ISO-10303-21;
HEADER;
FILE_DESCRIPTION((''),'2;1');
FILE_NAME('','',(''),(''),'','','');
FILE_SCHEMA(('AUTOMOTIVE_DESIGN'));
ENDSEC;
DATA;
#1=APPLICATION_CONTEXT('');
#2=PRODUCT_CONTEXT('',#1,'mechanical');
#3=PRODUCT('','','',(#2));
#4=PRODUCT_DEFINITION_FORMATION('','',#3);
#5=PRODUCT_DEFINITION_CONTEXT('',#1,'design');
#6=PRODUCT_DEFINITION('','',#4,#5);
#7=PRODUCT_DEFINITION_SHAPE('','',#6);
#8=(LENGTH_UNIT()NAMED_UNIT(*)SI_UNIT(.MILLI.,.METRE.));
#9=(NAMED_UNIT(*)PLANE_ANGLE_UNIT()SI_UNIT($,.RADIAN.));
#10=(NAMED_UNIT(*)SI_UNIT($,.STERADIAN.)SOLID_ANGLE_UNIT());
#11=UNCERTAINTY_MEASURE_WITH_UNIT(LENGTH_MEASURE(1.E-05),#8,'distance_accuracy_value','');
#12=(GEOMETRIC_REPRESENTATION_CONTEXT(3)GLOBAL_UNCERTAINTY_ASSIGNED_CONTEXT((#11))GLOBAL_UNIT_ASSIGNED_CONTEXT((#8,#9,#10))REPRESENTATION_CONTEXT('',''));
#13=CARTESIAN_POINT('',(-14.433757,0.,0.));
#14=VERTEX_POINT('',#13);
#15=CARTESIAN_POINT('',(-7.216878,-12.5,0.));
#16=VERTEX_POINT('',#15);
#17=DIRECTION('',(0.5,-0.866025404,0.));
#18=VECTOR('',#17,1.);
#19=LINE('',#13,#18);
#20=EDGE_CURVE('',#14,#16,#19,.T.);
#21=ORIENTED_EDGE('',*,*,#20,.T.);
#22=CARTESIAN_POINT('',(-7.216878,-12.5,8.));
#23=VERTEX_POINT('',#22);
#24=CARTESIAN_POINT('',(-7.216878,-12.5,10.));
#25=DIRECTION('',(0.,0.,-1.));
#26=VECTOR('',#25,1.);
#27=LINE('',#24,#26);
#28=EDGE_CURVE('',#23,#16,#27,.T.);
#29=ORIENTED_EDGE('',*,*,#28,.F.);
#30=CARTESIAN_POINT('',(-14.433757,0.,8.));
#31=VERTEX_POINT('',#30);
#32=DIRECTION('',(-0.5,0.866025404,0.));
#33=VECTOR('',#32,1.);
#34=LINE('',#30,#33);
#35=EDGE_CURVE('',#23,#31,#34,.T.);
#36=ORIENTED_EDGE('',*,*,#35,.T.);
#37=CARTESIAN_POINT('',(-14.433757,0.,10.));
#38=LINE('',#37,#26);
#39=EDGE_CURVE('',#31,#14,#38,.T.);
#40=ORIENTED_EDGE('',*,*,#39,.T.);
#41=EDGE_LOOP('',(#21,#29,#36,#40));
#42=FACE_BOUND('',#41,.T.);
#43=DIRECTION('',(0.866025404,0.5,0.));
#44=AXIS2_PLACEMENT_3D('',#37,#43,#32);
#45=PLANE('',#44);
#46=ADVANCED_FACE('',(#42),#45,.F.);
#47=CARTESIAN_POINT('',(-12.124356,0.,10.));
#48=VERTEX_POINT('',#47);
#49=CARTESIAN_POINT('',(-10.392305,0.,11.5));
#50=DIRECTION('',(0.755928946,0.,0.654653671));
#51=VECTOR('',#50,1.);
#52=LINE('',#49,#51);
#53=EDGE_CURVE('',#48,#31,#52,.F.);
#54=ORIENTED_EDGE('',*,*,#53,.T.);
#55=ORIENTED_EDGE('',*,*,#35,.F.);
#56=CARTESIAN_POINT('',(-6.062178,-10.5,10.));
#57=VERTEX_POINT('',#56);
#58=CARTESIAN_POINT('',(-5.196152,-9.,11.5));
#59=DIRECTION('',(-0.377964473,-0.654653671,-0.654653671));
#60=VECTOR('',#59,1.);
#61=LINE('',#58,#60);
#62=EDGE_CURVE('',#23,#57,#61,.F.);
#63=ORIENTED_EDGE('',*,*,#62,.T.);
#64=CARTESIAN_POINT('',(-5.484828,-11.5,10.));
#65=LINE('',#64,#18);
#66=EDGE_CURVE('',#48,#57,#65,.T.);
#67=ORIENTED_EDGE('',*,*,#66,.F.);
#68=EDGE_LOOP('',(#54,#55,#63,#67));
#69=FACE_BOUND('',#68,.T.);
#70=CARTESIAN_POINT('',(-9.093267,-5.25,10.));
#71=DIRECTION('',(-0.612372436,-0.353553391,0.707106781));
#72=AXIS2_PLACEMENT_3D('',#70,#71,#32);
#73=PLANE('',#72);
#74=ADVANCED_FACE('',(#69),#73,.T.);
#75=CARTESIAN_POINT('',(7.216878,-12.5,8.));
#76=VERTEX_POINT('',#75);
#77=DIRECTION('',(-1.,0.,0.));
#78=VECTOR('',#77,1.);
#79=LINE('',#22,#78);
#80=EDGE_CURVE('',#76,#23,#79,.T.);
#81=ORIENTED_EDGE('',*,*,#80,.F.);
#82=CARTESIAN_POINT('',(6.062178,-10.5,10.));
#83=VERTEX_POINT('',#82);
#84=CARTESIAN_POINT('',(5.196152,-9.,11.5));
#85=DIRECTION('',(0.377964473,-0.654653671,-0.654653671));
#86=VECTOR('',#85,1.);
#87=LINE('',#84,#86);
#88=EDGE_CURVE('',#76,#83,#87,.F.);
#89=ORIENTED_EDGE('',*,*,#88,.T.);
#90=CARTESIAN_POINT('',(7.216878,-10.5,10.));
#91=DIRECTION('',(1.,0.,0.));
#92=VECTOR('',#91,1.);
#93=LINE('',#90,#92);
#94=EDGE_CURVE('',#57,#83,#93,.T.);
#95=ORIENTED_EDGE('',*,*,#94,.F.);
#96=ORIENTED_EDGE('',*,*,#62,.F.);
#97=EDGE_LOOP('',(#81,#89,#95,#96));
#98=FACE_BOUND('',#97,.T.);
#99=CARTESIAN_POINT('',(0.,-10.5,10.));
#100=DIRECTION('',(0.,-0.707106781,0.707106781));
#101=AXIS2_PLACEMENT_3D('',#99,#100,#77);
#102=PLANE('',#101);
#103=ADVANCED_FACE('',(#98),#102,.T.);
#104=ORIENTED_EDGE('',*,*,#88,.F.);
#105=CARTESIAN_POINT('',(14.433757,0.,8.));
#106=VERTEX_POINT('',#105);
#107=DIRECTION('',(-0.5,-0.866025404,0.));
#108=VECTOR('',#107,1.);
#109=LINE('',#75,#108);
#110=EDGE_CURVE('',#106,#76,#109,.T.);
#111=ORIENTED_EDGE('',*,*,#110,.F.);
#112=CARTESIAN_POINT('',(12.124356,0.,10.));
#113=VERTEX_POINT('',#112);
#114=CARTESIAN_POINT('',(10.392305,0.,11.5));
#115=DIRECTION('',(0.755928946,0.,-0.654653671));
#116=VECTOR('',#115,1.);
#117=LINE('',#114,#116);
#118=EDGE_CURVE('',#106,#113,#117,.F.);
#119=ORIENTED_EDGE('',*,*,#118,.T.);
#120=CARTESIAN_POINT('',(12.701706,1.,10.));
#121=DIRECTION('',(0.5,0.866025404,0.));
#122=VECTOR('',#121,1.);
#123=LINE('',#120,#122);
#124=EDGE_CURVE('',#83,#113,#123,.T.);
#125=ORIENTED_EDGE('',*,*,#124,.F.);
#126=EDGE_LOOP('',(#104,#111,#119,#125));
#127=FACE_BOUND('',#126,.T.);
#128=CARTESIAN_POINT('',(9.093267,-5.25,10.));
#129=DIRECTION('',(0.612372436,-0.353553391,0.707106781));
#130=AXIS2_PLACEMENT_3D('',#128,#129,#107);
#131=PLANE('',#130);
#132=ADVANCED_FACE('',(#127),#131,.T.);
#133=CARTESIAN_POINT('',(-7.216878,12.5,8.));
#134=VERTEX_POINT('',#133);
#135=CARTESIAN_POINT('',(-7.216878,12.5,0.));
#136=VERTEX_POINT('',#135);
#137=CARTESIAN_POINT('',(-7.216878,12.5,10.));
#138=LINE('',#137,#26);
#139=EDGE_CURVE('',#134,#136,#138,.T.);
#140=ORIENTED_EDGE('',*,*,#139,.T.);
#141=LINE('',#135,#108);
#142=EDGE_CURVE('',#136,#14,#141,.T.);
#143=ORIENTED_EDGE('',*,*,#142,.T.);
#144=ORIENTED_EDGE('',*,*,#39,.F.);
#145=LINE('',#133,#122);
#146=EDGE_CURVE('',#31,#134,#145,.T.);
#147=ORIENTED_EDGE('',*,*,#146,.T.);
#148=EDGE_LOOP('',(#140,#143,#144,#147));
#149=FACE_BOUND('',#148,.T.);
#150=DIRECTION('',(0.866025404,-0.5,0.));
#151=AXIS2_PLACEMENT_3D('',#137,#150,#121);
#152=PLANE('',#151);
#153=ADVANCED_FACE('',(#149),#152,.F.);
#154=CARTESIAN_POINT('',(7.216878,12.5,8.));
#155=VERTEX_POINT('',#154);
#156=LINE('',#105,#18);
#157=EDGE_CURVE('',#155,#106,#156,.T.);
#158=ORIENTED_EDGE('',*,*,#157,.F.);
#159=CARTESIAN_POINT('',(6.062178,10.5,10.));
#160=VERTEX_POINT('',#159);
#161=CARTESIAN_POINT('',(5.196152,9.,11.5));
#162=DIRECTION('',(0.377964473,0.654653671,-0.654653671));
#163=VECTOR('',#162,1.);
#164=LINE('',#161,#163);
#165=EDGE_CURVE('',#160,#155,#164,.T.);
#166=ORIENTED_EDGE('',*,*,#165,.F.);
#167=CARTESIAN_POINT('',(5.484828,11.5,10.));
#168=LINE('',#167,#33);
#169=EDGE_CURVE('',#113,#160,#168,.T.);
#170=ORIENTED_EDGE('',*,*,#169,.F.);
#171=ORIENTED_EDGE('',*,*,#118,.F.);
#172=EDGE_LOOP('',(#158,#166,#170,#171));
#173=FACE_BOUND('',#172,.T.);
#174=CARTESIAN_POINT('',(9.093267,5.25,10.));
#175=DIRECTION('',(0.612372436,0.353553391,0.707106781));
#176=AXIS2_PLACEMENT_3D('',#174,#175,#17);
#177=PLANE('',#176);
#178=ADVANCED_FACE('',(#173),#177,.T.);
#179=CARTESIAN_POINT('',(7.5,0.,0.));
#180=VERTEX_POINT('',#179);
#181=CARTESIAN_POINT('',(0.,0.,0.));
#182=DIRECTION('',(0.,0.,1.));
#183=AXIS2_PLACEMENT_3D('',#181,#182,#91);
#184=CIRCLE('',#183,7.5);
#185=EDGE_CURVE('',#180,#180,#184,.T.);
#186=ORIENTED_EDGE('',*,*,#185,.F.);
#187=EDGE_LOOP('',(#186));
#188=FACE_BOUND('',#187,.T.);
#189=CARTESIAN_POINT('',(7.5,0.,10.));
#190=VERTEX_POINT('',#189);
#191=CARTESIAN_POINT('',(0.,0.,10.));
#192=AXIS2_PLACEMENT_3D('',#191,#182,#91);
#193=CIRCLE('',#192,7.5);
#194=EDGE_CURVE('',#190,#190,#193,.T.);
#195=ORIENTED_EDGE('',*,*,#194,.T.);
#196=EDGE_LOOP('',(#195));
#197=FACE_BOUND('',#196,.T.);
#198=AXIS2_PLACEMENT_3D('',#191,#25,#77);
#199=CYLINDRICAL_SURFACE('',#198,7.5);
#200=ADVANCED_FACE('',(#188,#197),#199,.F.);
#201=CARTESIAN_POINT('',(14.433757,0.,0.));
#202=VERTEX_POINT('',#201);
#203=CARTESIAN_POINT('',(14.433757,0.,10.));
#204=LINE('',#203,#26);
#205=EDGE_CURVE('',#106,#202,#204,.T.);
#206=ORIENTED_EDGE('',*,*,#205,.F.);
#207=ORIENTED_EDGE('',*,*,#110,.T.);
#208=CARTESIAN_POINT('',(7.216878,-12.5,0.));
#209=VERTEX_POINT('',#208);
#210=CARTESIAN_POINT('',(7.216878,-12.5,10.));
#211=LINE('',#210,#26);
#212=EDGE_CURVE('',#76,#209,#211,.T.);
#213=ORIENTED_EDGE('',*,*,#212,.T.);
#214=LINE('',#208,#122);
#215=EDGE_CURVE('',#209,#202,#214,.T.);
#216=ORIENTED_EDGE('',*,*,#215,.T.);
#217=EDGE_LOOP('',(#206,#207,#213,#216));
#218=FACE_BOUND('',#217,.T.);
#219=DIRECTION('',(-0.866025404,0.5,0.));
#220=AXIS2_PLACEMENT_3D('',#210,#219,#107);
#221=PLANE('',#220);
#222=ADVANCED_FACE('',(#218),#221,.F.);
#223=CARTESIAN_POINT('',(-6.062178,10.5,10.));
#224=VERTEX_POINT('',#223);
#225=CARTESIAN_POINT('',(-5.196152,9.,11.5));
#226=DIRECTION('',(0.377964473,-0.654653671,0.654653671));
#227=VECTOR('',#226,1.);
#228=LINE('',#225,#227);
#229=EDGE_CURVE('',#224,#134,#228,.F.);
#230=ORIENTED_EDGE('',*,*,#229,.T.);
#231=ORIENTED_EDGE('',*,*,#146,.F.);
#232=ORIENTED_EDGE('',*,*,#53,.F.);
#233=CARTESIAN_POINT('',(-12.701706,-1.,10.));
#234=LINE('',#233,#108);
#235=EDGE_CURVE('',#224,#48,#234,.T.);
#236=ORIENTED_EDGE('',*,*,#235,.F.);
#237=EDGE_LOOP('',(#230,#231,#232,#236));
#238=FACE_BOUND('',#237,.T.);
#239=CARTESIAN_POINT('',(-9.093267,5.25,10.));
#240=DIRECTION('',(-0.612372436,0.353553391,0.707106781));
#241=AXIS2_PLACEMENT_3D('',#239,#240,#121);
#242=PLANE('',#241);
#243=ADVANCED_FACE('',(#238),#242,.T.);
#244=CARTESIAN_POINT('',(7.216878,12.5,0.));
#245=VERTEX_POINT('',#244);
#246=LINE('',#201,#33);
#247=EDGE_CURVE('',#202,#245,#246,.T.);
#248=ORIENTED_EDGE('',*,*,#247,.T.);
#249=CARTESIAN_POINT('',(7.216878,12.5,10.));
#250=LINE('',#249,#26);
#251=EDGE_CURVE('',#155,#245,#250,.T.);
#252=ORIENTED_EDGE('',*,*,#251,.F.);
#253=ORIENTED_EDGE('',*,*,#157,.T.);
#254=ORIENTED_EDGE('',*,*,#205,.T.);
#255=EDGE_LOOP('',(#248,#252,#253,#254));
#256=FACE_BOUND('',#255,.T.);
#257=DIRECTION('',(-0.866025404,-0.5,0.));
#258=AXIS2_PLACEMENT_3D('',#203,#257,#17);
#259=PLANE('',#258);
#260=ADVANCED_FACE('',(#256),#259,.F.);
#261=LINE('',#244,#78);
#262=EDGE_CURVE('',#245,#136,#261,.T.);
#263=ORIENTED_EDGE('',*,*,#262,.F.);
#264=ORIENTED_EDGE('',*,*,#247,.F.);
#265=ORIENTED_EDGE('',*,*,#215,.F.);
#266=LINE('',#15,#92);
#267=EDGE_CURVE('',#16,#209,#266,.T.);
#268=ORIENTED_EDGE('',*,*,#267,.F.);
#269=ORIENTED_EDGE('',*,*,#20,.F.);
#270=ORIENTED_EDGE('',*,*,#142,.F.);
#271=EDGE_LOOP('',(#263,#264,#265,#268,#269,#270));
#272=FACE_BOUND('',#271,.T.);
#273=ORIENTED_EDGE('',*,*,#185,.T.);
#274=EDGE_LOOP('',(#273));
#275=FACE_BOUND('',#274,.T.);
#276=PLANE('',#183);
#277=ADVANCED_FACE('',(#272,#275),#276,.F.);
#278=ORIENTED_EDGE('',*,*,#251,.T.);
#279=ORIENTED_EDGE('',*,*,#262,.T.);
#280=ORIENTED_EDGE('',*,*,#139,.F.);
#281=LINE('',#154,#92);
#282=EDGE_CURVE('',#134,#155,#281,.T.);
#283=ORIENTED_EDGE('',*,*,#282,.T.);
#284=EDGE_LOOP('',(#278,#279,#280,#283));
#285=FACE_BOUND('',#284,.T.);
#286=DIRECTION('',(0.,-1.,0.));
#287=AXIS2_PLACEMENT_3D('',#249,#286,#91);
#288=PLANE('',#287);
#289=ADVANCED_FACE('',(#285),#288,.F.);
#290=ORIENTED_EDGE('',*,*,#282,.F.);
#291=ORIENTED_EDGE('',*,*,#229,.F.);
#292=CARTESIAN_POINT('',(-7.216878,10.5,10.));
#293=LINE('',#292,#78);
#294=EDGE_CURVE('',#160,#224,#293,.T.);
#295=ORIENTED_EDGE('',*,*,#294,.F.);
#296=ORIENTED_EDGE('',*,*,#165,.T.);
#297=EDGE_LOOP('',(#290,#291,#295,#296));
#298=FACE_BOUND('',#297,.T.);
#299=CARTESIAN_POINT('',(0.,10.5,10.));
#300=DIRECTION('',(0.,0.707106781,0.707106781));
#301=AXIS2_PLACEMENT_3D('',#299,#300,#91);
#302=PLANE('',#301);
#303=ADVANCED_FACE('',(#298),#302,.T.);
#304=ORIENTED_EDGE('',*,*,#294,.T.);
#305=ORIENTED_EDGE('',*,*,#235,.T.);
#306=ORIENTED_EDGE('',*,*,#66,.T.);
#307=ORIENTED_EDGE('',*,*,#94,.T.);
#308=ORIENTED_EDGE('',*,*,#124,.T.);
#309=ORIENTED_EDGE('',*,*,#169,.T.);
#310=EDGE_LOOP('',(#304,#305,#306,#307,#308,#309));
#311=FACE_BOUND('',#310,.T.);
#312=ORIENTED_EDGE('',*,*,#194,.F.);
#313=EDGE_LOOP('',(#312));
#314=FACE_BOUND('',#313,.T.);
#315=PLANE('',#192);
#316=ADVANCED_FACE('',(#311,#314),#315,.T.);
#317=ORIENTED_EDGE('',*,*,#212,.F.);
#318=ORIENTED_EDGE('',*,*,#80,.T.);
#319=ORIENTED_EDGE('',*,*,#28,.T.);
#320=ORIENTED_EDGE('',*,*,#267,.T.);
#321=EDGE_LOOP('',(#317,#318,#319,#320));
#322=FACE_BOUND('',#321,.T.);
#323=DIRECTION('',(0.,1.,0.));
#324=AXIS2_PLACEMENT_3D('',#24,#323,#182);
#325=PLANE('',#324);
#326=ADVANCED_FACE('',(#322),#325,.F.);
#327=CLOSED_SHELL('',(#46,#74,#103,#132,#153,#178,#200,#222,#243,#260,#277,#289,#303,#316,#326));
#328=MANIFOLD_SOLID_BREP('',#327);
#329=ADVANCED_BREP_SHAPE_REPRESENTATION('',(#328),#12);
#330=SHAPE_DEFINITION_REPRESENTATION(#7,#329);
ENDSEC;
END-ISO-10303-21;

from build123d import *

# Parameters (mm, degrees)
SKETCH1_R           = 7.5
BOSS_EXTRUDE1_DEPTH = 10
CHAMFER1_SIZE       = 2


with BuildPart() as part:
    # Sketch1 → Boss-Extrude1 (new body)
    with BuildSketch(Plane.XY):
        Polygon((7.216878365, -12.5), (14.43375673, 0), (7.216878365, 12.5), (-7.216878365, 12.5), (-14.43375673, 0), (-7.216878365, -12.5), align=None)
        Circle(SKETCH1_R, mode=Mode.SUBTRACT)
    extrude(amount=BOSS_EXTRUDE1_DEPTH)

    # Chamfer1
    chamfer1_edges = [part.edges().sort_by_distance(p)[0] for p in [
        (10.825317547, 6.25, 10),
        (0, 12.5, 10),
        (-10.825317547, 6.25, 10),
        (-10.825317547, -6.25, 10),
        (0, -12.5, 10),
        (10.825317547, -6.25, 10),
    ]]
    chamfer(chamfer1_edges, length=CHAMFER1_SIZE)


solid = part.part
